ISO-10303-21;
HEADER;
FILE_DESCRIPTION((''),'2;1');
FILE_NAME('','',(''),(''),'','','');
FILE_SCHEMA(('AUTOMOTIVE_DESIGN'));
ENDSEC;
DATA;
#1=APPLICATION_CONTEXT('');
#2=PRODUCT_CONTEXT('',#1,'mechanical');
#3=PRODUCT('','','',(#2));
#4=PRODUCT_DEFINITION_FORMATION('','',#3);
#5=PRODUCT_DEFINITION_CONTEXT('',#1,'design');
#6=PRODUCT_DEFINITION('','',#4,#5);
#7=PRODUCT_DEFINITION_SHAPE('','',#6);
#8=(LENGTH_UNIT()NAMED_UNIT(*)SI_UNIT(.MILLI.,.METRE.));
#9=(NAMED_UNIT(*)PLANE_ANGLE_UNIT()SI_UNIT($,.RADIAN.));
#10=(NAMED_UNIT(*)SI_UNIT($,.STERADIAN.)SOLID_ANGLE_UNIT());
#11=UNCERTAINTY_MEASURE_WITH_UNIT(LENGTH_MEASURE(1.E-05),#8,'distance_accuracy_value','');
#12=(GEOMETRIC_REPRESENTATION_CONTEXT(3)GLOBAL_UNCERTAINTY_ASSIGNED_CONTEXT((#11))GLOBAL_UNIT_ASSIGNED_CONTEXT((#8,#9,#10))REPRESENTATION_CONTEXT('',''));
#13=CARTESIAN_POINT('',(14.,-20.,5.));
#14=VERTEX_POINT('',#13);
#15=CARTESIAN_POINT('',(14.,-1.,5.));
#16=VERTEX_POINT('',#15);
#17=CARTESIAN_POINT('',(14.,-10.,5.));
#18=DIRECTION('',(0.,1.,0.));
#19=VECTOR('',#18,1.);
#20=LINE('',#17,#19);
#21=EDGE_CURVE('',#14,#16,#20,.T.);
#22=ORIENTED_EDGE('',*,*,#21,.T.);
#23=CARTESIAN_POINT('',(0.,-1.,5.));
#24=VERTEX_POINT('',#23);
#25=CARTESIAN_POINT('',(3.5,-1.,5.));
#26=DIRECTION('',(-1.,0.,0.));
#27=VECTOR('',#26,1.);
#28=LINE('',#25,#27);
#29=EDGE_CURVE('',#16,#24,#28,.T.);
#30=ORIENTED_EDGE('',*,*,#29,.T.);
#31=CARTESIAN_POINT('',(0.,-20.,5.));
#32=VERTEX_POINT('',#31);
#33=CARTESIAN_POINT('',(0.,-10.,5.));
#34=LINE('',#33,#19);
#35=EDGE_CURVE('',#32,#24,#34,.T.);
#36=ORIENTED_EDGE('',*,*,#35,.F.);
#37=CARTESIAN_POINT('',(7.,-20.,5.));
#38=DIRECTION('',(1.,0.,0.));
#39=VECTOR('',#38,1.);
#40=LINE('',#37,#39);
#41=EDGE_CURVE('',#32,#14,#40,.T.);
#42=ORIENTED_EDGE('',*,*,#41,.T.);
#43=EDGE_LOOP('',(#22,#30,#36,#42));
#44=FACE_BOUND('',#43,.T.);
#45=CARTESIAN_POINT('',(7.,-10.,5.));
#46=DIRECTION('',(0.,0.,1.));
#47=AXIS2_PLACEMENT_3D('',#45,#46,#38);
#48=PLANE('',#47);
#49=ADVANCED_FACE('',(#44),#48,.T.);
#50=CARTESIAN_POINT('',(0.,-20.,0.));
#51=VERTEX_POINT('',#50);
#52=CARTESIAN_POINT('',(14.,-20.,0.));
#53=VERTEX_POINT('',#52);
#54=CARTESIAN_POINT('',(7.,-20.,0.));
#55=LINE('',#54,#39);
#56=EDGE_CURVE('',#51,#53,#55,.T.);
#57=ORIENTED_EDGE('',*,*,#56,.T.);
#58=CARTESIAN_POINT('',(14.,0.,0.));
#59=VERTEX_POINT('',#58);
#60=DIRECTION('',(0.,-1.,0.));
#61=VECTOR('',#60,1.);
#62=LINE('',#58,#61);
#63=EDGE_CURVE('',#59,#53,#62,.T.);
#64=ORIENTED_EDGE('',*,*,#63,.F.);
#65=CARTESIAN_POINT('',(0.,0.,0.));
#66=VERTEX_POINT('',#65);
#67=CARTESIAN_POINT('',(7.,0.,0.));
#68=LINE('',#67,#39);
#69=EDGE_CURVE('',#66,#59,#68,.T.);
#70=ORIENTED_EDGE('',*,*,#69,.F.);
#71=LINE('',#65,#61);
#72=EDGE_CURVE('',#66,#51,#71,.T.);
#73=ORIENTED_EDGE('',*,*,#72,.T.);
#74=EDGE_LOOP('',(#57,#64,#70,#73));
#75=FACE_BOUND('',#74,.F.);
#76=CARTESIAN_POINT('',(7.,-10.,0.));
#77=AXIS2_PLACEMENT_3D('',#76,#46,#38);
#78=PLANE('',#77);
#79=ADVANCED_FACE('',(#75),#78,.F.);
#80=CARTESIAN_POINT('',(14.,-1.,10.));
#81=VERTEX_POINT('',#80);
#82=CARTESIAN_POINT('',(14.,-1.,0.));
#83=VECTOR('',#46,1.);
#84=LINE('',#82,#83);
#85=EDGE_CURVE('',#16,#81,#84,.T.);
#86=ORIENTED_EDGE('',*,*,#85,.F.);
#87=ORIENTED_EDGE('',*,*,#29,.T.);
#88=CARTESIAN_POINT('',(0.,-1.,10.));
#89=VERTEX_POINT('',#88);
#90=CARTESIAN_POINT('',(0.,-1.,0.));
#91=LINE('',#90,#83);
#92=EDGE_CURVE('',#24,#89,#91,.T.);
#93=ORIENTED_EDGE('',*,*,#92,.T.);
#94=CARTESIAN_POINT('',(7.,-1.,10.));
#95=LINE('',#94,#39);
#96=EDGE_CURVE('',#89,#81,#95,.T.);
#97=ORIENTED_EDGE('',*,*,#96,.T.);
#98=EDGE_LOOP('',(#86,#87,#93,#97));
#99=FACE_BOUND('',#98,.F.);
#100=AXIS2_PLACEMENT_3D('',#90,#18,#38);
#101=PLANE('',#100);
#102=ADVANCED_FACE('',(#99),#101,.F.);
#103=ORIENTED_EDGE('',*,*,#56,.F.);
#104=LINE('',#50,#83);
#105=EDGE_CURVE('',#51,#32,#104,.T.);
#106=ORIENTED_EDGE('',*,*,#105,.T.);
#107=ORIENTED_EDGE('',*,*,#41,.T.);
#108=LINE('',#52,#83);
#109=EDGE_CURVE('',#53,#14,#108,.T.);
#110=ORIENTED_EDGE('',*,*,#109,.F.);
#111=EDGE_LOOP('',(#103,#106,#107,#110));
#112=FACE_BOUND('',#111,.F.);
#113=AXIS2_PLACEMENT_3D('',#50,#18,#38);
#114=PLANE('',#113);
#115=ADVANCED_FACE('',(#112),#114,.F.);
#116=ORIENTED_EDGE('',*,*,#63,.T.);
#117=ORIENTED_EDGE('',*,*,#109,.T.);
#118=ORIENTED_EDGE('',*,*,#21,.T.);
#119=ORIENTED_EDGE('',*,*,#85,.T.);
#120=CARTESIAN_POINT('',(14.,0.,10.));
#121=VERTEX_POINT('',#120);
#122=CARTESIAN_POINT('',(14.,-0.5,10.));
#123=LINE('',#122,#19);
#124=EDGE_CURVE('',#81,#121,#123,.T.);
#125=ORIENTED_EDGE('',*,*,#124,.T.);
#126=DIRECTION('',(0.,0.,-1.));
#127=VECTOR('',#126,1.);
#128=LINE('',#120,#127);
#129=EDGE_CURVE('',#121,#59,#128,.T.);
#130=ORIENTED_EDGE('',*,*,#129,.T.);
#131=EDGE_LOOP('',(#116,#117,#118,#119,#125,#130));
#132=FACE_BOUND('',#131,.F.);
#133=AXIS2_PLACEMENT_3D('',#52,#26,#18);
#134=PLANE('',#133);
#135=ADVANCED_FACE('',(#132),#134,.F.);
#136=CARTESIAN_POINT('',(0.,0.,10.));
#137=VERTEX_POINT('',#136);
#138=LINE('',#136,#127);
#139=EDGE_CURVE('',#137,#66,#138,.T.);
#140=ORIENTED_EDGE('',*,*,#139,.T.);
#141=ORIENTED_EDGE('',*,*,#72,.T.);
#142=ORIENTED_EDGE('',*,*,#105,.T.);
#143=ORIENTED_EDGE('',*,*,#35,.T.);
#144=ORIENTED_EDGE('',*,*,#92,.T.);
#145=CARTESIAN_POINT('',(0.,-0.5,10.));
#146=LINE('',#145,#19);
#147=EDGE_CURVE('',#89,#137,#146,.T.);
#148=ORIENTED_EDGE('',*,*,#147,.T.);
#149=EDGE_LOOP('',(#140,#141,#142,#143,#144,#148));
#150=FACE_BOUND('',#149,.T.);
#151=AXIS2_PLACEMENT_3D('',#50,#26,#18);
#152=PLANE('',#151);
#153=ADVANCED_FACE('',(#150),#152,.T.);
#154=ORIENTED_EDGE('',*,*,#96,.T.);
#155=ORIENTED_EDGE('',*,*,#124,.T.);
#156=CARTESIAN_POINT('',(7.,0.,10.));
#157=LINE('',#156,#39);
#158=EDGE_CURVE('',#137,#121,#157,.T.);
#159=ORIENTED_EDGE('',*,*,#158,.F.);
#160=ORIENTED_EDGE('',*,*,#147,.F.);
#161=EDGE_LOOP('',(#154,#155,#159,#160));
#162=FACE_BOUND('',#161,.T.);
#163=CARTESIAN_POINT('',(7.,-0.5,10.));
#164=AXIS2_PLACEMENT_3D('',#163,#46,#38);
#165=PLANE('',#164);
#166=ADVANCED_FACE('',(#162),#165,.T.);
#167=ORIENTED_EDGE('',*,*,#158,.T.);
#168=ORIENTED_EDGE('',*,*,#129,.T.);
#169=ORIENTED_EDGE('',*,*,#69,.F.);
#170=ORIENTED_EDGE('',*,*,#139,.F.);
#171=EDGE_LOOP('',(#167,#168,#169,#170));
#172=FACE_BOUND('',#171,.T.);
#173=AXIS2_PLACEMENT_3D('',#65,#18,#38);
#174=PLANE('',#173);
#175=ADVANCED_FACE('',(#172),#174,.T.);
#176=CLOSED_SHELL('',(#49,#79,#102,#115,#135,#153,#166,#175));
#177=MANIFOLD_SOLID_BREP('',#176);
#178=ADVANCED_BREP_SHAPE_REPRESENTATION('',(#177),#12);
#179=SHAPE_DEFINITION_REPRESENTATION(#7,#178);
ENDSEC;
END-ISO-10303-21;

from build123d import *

# Parameters (mm, degrees)
F0_W     = 14
F0_H     = 20
F1_DEPTH = 5
F2_W     = 14
F2_H     = 1
F3_DEPTH = 10


with BuildPart() as f1:
    # F0 (on Top) → F1 (new body)
    with BuildSketch(Plane.XY):
        with Locations((7, -10)):
            Rectangle(F0_W, F0_H)
    extrude(amount=F1_DEPTH)

    # F2 (on Top) → F3 (join)
    with BuildSketch(Plane.XY):
        with Locations((7, -0.5)):
            Rectangle(F2_W, F2_H)
    extrude(amount=F3_DEPTH)


solid = f1.part
